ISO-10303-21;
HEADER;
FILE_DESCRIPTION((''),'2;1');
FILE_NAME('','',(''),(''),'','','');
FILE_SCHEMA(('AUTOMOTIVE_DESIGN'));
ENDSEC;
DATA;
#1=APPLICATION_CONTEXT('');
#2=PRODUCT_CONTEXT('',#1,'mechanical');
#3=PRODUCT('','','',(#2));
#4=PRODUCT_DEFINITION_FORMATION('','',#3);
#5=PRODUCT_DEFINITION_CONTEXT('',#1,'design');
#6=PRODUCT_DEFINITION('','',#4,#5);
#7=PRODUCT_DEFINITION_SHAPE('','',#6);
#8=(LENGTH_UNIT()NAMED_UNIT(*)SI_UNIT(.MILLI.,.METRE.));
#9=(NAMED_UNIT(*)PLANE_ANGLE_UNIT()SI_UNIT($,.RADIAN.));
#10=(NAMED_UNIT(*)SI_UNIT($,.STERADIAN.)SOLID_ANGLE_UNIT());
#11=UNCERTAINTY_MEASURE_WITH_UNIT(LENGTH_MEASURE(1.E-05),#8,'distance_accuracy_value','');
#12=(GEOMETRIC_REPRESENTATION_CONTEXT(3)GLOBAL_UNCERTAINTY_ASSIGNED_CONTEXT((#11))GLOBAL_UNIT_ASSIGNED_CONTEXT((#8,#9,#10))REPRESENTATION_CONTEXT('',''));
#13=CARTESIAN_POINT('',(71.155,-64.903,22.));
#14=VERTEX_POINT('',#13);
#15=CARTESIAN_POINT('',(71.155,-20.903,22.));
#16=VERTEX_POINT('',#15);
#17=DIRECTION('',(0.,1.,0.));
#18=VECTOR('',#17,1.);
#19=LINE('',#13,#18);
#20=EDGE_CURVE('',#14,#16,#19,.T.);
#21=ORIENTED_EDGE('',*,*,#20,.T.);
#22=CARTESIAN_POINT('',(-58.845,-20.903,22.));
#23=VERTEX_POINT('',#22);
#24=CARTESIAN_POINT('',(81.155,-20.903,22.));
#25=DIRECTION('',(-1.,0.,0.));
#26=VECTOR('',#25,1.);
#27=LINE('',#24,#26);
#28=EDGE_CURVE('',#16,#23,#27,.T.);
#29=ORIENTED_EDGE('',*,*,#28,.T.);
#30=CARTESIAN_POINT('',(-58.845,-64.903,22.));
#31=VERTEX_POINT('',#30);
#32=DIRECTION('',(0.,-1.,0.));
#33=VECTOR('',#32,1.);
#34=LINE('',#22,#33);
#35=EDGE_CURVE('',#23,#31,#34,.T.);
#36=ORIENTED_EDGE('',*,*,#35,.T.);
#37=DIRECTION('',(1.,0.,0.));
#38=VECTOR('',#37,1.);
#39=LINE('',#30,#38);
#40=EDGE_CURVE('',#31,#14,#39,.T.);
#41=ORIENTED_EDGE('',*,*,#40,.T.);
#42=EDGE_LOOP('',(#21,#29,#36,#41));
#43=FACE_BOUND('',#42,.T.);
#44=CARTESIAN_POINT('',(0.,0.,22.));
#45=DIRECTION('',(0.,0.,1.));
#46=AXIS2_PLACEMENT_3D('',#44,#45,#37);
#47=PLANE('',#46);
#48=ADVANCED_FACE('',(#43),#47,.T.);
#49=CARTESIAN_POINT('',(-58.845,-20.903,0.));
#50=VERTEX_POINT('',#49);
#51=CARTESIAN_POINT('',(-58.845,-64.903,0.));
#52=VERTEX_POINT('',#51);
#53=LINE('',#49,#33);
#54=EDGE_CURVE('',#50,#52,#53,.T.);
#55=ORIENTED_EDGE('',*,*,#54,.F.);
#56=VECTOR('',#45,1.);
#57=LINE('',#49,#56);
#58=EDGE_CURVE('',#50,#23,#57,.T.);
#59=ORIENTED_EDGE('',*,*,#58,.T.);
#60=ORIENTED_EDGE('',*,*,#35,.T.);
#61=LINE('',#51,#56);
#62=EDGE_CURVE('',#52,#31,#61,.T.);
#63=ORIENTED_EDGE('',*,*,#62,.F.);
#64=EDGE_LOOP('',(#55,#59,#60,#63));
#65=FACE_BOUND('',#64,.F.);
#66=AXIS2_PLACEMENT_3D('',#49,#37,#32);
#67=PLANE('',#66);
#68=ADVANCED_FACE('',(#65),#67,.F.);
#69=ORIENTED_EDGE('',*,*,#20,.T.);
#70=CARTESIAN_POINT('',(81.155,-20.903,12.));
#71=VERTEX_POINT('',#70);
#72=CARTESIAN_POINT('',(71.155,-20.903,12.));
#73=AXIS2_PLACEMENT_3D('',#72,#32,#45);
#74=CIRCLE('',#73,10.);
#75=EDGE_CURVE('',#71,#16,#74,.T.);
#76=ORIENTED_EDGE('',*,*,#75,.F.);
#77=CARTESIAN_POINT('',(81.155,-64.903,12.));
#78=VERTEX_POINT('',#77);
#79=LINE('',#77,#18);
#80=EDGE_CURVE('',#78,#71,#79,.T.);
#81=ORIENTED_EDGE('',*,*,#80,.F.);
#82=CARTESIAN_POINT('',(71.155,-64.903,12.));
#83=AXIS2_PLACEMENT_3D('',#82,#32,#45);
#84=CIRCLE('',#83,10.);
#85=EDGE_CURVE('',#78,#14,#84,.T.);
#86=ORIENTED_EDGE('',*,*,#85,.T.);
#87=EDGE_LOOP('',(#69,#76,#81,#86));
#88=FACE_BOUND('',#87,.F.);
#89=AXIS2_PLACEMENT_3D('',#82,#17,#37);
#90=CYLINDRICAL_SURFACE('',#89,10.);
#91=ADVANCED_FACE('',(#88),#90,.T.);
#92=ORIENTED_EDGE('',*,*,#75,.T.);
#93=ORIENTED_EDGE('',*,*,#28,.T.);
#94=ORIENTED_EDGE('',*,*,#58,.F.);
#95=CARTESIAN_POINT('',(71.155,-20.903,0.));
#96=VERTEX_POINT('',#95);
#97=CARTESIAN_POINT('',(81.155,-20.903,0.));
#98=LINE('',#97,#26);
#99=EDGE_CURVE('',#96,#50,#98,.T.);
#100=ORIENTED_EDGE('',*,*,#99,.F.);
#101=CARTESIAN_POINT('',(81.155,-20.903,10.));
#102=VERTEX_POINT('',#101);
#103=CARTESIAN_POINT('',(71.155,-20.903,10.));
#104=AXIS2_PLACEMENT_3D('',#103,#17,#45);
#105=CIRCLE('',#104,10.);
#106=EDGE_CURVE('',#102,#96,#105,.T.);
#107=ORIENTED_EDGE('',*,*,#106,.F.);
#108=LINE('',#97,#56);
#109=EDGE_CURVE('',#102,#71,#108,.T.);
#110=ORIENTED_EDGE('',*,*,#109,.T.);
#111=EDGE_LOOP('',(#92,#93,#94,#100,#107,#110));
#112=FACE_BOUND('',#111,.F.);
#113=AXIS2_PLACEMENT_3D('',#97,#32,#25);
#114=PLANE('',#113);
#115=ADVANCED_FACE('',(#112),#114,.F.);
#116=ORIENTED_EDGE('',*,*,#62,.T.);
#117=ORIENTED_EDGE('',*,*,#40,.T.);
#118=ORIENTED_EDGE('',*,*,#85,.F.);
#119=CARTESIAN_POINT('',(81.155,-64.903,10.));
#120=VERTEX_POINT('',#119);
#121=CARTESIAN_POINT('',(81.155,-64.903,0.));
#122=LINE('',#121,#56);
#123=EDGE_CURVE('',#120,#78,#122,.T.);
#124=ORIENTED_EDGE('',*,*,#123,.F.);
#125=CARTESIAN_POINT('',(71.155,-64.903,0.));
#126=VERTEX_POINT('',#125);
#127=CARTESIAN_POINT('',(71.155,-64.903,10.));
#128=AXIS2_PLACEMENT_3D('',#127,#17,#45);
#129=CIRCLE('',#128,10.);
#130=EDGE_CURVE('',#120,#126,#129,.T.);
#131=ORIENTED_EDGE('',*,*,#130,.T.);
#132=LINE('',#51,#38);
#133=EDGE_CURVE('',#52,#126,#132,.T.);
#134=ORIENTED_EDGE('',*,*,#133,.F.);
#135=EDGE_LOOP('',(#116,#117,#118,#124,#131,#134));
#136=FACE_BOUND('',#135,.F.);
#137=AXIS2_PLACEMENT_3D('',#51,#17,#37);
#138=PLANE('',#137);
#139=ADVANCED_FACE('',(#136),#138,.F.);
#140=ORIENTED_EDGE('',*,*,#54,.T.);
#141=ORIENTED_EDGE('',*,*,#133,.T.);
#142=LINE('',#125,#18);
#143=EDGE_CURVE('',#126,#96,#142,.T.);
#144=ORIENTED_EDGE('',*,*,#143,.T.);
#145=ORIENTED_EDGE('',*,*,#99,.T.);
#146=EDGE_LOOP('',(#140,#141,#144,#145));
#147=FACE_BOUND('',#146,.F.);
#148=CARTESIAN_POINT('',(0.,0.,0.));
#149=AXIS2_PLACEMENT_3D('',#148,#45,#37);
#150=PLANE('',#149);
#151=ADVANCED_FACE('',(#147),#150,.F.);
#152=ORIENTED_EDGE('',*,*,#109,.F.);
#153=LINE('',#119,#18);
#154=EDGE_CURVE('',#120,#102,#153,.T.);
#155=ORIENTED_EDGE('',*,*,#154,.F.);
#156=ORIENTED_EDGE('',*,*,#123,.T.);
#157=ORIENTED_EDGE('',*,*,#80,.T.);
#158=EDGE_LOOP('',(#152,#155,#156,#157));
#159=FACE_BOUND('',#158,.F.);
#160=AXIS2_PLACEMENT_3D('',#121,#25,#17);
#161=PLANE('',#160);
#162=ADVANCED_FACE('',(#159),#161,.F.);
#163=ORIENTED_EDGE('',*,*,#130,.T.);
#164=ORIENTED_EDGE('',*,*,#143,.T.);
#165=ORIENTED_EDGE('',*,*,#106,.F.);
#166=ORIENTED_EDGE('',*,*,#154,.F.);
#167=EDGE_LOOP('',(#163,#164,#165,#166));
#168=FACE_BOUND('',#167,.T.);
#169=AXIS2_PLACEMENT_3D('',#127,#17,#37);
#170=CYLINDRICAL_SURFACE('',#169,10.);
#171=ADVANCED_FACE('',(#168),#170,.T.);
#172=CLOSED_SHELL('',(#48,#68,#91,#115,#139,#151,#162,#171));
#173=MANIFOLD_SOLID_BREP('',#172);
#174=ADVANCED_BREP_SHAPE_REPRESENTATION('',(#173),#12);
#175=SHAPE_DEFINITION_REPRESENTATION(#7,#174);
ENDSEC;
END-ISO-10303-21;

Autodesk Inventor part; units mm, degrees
ref_plane "YZ Plane" through (0, 0, 0) normal (1, 0, 0) x (0, 1, 0)
ref_plane "XZ Plane" through (0, 0, 0) normal (0, 1, 0) x (-1, 0, 0)
ref_plane "XY Plane" through (0, 0, 0) normal (0, 0, 1) x (1, 0, 0)
sketch "Эскиз1" plane through (0, 0, 0) normal (0, 0, 1) x (1, 0, 0)
  line L0 (74.0863, 5.032) -> (74.0863, 52.032) projected
  line L1 (81.155, -20.903) -> (-58.845, -20.903)
  line L2 (-58.845, -20.903) -> (-58.845, -64.903)
  line L3 (-58.845, -64.903) -> (81.155, -64.903)
  line L4 (81.155, -64.903) -> (81.155, -20.903)
  point P0 (0, 0)
  dimension "d0" = 44
  dimension "d1" = 140
extrude "Выдавливание1" add sketch "Эскиз1" along normal blind 22
fillet "Сопряжение1" radius 10 2 edges at (81.155, -42.903, 22) (81.155, -42.903, 0)
properties part number "akum12v"
